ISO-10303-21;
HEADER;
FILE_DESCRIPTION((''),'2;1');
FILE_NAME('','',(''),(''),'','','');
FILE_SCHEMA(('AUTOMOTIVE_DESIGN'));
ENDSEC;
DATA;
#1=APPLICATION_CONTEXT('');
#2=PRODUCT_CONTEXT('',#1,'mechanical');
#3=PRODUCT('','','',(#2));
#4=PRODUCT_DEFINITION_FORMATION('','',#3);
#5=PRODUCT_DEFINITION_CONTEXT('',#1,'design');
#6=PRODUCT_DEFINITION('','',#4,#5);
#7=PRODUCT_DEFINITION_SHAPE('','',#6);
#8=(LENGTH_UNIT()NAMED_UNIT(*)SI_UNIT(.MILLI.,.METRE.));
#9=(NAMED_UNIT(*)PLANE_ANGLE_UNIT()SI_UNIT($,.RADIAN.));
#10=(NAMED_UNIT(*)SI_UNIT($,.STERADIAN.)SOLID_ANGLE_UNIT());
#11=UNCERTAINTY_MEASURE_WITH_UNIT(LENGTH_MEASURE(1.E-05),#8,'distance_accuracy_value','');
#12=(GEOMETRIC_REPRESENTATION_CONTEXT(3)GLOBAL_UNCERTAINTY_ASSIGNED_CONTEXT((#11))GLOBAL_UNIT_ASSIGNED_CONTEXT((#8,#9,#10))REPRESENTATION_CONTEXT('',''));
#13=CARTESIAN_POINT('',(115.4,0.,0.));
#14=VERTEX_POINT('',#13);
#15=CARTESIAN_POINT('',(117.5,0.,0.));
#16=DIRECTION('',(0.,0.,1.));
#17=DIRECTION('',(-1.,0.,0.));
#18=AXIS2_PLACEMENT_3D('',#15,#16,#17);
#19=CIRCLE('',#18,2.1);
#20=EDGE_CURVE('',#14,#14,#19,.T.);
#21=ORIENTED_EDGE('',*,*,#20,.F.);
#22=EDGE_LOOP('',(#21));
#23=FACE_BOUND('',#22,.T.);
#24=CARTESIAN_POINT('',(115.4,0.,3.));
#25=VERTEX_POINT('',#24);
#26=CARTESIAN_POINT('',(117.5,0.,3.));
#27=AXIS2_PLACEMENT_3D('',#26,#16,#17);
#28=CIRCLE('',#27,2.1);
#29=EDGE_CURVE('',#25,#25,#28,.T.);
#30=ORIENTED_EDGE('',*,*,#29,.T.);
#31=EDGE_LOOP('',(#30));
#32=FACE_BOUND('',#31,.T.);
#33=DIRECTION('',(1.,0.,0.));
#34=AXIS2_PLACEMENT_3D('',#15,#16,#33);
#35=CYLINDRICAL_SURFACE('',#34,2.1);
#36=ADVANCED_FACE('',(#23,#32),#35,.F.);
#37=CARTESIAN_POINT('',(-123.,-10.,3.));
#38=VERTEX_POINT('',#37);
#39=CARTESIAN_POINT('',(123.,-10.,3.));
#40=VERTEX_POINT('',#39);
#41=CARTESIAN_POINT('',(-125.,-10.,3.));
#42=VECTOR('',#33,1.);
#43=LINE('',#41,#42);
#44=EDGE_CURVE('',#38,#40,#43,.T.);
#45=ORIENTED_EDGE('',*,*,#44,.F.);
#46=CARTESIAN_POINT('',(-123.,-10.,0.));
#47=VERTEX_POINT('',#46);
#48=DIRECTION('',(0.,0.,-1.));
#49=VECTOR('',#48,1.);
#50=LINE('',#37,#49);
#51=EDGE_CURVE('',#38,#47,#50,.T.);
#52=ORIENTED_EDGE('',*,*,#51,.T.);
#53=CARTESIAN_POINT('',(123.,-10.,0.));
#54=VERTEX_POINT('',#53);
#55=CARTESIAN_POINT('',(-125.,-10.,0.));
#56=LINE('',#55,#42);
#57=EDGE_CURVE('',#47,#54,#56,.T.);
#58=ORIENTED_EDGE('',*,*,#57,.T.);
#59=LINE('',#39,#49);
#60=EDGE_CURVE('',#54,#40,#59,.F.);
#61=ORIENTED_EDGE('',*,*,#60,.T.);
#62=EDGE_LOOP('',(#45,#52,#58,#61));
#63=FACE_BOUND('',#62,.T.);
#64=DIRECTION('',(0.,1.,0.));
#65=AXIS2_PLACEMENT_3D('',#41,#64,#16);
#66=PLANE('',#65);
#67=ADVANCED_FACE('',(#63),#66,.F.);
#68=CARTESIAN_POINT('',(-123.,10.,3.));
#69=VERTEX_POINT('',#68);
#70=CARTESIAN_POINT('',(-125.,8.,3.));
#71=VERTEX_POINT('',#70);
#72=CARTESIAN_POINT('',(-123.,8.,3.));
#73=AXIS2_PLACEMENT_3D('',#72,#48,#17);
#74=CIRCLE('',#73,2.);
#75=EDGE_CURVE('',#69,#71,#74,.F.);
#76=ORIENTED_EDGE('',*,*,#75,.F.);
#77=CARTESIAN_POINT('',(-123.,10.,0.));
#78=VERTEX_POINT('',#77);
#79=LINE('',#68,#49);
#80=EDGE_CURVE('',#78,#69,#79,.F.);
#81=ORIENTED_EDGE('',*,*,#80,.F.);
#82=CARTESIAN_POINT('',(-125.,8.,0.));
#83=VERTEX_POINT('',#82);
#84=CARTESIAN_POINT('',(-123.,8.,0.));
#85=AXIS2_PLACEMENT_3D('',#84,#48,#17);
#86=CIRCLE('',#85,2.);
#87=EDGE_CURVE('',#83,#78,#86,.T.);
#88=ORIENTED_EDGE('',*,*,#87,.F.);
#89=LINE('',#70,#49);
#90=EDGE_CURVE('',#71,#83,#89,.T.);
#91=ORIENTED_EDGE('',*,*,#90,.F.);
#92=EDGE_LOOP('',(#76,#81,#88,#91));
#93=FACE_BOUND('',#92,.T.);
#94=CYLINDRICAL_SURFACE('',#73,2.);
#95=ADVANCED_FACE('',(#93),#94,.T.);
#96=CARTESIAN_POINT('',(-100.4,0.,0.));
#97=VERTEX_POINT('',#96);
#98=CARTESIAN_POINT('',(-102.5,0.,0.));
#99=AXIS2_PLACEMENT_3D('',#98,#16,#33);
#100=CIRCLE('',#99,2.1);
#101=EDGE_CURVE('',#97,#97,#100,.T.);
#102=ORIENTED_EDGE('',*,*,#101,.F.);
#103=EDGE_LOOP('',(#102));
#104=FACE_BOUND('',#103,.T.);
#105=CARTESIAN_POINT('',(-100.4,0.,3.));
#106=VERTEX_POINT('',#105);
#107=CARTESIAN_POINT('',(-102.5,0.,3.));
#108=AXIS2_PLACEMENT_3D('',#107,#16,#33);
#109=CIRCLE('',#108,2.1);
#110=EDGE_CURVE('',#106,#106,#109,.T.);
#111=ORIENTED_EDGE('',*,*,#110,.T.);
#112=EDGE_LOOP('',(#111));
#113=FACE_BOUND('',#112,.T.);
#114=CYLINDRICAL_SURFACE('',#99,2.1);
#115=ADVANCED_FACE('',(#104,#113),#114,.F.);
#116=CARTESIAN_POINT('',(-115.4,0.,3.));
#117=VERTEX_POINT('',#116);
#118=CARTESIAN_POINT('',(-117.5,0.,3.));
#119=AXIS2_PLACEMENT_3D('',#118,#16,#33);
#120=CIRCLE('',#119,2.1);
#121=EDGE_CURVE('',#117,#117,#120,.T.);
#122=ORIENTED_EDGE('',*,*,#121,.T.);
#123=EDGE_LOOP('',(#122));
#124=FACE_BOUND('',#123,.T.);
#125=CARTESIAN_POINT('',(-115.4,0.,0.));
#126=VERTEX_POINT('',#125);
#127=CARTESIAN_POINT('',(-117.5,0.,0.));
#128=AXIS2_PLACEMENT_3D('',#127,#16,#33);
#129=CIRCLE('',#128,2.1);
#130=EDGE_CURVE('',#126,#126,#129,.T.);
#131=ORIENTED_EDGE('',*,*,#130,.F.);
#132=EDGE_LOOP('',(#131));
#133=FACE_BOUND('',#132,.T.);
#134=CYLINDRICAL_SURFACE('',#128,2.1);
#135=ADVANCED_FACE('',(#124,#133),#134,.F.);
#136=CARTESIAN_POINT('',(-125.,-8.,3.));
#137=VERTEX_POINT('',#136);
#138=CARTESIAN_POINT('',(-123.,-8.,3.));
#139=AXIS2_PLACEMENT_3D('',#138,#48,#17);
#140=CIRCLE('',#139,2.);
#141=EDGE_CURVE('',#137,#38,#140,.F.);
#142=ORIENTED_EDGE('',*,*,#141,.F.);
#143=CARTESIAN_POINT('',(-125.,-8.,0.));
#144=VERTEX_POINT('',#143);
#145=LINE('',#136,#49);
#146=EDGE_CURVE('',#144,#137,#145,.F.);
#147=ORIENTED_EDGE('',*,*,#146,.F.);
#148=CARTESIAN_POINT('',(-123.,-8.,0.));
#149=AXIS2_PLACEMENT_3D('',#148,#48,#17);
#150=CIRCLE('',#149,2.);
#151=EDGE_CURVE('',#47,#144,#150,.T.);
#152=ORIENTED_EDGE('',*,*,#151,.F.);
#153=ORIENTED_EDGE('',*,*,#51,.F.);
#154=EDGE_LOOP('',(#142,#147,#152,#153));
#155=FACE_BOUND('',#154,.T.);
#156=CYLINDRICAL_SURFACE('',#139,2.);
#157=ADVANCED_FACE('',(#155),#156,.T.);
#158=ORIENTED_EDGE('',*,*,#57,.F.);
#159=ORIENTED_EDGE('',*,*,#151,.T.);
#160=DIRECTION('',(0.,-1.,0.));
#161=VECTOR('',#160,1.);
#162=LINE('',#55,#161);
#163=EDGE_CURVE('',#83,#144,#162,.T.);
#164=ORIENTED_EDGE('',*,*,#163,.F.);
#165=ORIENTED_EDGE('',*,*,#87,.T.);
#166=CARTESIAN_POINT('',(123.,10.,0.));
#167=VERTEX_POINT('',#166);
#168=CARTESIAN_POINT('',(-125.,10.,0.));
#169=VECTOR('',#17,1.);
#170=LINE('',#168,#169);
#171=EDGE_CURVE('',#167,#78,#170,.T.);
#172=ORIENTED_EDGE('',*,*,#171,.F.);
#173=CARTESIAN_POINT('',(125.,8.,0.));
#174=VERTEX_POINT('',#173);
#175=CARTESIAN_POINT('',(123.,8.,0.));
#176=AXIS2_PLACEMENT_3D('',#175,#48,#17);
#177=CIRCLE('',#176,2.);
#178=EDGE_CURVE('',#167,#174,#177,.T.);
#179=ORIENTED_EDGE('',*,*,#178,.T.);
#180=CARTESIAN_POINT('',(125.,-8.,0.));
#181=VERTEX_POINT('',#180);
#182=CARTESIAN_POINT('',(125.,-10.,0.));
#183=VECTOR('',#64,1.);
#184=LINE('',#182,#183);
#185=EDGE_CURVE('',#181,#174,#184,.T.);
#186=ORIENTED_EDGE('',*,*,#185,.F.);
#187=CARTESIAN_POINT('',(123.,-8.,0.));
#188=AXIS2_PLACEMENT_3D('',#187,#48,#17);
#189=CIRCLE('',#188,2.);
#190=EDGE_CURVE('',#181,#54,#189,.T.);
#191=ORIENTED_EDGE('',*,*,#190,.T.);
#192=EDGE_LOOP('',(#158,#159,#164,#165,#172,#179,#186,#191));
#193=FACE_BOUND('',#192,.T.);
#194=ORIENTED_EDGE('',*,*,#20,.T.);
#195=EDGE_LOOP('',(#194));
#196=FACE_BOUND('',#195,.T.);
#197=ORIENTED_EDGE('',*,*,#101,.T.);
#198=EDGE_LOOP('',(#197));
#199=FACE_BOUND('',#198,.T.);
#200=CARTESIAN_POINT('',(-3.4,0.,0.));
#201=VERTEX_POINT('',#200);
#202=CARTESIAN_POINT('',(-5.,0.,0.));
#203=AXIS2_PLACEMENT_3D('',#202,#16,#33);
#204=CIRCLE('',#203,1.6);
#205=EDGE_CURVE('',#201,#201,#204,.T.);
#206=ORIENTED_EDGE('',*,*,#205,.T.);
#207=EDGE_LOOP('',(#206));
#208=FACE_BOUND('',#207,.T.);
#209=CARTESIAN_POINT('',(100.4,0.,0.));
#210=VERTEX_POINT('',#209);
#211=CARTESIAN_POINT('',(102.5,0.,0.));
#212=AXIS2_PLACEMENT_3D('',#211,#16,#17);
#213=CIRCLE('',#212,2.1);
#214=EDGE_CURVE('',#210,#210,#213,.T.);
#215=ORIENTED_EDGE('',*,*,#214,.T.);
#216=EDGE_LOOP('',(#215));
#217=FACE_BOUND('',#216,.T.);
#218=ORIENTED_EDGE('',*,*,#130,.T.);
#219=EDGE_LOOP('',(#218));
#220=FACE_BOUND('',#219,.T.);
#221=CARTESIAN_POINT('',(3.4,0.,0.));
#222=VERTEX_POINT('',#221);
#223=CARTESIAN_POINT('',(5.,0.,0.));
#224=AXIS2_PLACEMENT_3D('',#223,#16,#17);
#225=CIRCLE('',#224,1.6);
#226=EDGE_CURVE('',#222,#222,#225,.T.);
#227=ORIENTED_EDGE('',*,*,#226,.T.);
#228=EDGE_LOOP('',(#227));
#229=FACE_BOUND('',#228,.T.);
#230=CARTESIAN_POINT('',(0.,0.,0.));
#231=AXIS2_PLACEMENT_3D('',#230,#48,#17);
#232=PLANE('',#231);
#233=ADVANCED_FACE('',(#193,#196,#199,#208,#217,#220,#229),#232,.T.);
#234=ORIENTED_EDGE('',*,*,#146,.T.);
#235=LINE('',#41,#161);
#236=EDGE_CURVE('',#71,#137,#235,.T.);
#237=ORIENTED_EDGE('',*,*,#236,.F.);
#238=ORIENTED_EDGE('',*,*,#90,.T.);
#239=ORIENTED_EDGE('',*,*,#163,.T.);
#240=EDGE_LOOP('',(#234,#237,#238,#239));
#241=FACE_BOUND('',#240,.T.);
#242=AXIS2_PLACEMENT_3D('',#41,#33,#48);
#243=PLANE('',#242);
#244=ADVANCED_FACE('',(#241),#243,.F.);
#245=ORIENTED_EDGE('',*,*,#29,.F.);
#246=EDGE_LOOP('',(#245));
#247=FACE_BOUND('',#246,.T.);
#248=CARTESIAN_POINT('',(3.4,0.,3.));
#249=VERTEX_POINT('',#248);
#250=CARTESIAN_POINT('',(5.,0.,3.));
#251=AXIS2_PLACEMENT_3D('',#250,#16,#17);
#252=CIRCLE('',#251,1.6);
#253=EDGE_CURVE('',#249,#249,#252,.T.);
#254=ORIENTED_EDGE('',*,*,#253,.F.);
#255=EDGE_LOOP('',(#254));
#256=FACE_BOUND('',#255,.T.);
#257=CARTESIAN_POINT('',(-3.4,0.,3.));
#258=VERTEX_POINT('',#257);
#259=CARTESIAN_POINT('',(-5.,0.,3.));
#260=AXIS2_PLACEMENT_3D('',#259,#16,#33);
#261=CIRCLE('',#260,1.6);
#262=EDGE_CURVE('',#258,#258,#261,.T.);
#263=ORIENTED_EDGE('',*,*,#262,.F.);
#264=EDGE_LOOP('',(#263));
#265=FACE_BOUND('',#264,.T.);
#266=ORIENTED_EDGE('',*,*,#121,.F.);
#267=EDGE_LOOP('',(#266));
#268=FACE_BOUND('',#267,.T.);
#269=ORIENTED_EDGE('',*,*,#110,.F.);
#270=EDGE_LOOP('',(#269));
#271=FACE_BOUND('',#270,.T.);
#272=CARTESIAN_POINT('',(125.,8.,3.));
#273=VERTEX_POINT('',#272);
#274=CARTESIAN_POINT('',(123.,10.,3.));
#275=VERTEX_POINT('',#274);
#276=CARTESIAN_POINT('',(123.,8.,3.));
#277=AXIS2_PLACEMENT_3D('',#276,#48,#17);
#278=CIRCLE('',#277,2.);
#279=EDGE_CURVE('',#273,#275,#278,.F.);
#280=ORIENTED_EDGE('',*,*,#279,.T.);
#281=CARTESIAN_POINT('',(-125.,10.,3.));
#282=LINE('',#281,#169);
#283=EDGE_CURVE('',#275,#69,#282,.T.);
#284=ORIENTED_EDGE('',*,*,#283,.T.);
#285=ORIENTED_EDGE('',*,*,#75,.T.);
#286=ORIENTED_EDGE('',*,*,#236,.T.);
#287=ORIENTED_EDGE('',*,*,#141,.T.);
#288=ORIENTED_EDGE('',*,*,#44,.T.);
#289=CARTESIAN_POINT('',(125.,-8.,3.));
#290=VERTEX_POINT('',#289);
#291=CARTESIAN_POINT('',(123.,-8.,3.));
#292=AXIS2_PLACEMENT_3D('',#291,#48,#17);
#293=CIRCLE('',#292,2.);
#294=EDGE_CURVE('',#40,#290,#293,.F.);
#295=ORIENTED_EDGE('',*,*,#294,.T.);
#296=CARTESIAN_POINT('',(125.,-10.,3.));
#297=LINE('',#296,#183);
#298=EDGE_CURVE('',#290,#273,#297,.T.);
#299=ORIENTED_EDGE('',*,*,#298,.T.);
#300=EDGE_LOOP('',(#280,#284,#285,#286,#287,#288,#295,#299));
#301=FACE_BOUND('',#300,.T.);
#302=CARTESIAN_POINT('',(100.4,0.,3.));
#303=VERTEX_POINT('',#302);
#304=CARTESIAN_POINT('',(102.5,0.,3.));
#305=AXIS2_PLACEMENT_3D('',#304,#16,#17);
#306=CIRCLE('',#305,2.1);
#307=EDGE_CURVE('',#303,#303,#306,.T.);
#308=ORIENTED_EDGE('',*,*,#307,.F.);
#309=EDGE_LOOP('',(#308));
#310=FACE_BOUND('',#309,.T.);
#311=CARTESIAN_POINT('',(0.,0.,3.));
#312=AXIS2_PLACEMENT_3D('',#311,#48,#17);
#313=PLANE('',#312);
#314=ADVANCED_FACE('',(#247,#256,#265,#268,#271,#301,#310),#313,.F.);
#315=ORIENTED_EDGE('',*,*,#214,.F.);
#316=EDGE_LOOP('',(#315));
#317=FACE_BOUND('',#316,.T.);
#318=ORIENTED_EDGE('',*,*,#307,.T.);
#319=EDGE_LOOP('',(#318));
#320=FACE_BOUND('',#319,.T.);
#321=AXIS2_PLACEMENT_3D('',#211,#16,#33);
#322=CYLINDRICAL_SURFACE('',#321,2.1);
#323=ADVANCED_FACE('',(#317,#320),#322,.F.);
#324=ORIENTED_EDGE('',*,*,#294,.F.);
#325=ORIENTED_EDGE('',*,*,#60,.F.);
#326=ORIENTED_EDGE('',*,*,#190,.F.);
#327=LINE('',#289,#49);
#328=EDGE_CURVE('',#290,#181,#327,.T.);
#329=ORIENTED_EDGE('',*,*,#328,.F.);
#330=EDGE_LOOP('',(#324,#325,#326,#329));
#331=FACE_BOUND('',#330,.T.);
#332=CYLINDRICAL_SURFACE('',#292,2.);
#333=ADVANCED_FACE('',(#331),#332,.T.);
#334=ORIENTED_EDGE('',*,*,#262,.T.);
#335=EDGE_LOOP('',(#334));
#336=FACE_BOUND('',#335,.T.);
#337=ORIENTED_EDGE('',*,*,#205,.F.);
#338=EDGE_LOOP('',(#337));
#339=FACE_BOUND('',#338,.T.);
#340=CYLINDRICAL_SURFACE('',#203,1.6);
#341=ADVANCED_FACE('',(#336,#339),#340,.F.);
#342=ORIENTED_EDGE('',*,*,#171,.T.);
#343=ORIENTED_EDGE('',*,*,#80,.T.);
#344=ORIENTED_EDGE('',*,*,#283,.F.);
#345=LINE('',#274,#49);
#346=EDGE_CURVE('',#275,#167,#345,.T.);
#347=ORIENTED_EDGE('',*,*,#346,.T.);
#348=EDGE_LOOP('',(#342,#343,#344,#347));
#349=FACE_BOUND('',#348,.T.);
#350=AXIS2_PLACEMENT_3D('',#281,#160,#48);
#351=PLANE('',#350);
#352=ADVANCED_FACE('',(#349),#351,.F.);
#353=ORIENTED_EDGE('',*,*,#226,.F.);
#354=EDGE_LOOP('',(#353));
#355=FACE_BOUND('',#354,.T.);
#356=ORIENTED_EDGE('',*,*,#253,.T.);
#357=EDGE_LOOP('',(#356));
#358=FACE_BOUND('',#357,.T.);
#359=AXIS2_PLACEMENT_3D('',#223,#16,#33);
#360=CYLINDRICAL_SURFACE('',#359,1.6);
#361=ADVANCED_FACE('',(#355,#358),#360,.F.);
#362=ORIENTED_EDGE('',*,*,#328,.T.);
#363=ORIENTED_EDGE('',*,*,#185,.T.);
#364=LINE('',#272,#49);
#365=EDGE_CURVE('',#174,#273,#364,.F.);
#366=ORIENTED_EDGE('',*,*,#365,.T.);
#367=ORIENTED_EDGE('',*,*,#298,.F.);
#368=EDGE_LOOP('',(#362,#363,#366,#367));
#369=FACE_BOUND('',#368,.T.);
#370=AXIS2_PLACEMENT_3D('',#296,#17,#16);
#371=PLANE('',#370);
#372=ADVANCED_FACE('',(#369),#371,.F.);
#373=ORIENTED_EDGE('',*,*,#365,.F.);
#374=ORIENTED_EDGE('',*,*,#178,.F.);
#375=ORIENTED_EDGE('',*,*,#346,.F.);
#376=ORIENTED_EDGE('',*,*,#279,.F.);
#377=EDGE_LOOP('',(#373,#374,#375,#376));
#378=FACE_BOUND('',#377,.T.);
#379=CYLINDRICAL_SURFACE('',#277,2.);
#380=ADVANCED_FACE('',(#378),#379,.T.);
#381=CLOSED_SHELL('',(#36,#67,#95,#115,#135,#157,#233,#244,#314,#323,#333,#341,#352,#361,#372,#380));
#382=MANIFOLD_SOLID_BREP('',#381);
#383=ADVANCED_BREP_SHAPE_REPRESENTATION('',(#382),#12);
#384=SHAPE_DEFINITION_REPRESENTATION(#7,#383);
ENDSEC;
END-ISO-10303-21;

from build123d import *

# Parameters (mm, degrees)
SKETCH_1_W          = 250
SKETCH_1_H          = 20
EXTRUDE_1_DEPTH     = 3
SKETCH_2_R          = 2.1
SKETCH_2_R_2        = 1.6
CUT_EXTRUDE_1_DEPTH = 3
FILLET_1_R          = 2


with BuildPart() as part:
    # 草图1 → 凸台-拉伸1 (new body)
    with BuildSketch(Plane.XY):
        Rectangle(SKETCH_1_W, SKETCH_1_H)
    extrude(amount=EXTRUDE_1_DEPTH)

    # 草图2 → 切除-拉伸1 (cut)
    with BuildSketch(Plane.XY.offset(3)):
        with Locations((-117.5, 0)):
            Circle(SKETCH_2_R)
        with Locations((-102.5, 0)):
            Circle(SKETCH_2_R)
        with Locations(Location((102.5, 0, 0), (0, 0, 180))):
            Circle(SKETCH_2_R)
        with Locations(Location((117.5, 0, 0), (0, 0, 180))):
            Circle(SKETCH_2_R)
        with Locations((-5, 0)):
            Circle(SKETCH_2_R_2)
        with Locations(Location((5, 0, 0), (0, 0, 180))):
            Circle(SKETCH_2_R_2)
    extrude(amount=-CUT_EXTRUDE_1_DEPTH, mode=Mode.SUBTRACT)

    # 圆角1
    fillet_1_edges = [part.edges().sort_by_distance(p)[0] for p in [
        (125, -10, 1.5),
        (-125, -10, 1.5),
        (-125, 10, 1.5),
        (125, 10, 1.5),
    ]]
    fillet(fillet_1_edges, radius=FILLET_1_R)


solid = part.part
